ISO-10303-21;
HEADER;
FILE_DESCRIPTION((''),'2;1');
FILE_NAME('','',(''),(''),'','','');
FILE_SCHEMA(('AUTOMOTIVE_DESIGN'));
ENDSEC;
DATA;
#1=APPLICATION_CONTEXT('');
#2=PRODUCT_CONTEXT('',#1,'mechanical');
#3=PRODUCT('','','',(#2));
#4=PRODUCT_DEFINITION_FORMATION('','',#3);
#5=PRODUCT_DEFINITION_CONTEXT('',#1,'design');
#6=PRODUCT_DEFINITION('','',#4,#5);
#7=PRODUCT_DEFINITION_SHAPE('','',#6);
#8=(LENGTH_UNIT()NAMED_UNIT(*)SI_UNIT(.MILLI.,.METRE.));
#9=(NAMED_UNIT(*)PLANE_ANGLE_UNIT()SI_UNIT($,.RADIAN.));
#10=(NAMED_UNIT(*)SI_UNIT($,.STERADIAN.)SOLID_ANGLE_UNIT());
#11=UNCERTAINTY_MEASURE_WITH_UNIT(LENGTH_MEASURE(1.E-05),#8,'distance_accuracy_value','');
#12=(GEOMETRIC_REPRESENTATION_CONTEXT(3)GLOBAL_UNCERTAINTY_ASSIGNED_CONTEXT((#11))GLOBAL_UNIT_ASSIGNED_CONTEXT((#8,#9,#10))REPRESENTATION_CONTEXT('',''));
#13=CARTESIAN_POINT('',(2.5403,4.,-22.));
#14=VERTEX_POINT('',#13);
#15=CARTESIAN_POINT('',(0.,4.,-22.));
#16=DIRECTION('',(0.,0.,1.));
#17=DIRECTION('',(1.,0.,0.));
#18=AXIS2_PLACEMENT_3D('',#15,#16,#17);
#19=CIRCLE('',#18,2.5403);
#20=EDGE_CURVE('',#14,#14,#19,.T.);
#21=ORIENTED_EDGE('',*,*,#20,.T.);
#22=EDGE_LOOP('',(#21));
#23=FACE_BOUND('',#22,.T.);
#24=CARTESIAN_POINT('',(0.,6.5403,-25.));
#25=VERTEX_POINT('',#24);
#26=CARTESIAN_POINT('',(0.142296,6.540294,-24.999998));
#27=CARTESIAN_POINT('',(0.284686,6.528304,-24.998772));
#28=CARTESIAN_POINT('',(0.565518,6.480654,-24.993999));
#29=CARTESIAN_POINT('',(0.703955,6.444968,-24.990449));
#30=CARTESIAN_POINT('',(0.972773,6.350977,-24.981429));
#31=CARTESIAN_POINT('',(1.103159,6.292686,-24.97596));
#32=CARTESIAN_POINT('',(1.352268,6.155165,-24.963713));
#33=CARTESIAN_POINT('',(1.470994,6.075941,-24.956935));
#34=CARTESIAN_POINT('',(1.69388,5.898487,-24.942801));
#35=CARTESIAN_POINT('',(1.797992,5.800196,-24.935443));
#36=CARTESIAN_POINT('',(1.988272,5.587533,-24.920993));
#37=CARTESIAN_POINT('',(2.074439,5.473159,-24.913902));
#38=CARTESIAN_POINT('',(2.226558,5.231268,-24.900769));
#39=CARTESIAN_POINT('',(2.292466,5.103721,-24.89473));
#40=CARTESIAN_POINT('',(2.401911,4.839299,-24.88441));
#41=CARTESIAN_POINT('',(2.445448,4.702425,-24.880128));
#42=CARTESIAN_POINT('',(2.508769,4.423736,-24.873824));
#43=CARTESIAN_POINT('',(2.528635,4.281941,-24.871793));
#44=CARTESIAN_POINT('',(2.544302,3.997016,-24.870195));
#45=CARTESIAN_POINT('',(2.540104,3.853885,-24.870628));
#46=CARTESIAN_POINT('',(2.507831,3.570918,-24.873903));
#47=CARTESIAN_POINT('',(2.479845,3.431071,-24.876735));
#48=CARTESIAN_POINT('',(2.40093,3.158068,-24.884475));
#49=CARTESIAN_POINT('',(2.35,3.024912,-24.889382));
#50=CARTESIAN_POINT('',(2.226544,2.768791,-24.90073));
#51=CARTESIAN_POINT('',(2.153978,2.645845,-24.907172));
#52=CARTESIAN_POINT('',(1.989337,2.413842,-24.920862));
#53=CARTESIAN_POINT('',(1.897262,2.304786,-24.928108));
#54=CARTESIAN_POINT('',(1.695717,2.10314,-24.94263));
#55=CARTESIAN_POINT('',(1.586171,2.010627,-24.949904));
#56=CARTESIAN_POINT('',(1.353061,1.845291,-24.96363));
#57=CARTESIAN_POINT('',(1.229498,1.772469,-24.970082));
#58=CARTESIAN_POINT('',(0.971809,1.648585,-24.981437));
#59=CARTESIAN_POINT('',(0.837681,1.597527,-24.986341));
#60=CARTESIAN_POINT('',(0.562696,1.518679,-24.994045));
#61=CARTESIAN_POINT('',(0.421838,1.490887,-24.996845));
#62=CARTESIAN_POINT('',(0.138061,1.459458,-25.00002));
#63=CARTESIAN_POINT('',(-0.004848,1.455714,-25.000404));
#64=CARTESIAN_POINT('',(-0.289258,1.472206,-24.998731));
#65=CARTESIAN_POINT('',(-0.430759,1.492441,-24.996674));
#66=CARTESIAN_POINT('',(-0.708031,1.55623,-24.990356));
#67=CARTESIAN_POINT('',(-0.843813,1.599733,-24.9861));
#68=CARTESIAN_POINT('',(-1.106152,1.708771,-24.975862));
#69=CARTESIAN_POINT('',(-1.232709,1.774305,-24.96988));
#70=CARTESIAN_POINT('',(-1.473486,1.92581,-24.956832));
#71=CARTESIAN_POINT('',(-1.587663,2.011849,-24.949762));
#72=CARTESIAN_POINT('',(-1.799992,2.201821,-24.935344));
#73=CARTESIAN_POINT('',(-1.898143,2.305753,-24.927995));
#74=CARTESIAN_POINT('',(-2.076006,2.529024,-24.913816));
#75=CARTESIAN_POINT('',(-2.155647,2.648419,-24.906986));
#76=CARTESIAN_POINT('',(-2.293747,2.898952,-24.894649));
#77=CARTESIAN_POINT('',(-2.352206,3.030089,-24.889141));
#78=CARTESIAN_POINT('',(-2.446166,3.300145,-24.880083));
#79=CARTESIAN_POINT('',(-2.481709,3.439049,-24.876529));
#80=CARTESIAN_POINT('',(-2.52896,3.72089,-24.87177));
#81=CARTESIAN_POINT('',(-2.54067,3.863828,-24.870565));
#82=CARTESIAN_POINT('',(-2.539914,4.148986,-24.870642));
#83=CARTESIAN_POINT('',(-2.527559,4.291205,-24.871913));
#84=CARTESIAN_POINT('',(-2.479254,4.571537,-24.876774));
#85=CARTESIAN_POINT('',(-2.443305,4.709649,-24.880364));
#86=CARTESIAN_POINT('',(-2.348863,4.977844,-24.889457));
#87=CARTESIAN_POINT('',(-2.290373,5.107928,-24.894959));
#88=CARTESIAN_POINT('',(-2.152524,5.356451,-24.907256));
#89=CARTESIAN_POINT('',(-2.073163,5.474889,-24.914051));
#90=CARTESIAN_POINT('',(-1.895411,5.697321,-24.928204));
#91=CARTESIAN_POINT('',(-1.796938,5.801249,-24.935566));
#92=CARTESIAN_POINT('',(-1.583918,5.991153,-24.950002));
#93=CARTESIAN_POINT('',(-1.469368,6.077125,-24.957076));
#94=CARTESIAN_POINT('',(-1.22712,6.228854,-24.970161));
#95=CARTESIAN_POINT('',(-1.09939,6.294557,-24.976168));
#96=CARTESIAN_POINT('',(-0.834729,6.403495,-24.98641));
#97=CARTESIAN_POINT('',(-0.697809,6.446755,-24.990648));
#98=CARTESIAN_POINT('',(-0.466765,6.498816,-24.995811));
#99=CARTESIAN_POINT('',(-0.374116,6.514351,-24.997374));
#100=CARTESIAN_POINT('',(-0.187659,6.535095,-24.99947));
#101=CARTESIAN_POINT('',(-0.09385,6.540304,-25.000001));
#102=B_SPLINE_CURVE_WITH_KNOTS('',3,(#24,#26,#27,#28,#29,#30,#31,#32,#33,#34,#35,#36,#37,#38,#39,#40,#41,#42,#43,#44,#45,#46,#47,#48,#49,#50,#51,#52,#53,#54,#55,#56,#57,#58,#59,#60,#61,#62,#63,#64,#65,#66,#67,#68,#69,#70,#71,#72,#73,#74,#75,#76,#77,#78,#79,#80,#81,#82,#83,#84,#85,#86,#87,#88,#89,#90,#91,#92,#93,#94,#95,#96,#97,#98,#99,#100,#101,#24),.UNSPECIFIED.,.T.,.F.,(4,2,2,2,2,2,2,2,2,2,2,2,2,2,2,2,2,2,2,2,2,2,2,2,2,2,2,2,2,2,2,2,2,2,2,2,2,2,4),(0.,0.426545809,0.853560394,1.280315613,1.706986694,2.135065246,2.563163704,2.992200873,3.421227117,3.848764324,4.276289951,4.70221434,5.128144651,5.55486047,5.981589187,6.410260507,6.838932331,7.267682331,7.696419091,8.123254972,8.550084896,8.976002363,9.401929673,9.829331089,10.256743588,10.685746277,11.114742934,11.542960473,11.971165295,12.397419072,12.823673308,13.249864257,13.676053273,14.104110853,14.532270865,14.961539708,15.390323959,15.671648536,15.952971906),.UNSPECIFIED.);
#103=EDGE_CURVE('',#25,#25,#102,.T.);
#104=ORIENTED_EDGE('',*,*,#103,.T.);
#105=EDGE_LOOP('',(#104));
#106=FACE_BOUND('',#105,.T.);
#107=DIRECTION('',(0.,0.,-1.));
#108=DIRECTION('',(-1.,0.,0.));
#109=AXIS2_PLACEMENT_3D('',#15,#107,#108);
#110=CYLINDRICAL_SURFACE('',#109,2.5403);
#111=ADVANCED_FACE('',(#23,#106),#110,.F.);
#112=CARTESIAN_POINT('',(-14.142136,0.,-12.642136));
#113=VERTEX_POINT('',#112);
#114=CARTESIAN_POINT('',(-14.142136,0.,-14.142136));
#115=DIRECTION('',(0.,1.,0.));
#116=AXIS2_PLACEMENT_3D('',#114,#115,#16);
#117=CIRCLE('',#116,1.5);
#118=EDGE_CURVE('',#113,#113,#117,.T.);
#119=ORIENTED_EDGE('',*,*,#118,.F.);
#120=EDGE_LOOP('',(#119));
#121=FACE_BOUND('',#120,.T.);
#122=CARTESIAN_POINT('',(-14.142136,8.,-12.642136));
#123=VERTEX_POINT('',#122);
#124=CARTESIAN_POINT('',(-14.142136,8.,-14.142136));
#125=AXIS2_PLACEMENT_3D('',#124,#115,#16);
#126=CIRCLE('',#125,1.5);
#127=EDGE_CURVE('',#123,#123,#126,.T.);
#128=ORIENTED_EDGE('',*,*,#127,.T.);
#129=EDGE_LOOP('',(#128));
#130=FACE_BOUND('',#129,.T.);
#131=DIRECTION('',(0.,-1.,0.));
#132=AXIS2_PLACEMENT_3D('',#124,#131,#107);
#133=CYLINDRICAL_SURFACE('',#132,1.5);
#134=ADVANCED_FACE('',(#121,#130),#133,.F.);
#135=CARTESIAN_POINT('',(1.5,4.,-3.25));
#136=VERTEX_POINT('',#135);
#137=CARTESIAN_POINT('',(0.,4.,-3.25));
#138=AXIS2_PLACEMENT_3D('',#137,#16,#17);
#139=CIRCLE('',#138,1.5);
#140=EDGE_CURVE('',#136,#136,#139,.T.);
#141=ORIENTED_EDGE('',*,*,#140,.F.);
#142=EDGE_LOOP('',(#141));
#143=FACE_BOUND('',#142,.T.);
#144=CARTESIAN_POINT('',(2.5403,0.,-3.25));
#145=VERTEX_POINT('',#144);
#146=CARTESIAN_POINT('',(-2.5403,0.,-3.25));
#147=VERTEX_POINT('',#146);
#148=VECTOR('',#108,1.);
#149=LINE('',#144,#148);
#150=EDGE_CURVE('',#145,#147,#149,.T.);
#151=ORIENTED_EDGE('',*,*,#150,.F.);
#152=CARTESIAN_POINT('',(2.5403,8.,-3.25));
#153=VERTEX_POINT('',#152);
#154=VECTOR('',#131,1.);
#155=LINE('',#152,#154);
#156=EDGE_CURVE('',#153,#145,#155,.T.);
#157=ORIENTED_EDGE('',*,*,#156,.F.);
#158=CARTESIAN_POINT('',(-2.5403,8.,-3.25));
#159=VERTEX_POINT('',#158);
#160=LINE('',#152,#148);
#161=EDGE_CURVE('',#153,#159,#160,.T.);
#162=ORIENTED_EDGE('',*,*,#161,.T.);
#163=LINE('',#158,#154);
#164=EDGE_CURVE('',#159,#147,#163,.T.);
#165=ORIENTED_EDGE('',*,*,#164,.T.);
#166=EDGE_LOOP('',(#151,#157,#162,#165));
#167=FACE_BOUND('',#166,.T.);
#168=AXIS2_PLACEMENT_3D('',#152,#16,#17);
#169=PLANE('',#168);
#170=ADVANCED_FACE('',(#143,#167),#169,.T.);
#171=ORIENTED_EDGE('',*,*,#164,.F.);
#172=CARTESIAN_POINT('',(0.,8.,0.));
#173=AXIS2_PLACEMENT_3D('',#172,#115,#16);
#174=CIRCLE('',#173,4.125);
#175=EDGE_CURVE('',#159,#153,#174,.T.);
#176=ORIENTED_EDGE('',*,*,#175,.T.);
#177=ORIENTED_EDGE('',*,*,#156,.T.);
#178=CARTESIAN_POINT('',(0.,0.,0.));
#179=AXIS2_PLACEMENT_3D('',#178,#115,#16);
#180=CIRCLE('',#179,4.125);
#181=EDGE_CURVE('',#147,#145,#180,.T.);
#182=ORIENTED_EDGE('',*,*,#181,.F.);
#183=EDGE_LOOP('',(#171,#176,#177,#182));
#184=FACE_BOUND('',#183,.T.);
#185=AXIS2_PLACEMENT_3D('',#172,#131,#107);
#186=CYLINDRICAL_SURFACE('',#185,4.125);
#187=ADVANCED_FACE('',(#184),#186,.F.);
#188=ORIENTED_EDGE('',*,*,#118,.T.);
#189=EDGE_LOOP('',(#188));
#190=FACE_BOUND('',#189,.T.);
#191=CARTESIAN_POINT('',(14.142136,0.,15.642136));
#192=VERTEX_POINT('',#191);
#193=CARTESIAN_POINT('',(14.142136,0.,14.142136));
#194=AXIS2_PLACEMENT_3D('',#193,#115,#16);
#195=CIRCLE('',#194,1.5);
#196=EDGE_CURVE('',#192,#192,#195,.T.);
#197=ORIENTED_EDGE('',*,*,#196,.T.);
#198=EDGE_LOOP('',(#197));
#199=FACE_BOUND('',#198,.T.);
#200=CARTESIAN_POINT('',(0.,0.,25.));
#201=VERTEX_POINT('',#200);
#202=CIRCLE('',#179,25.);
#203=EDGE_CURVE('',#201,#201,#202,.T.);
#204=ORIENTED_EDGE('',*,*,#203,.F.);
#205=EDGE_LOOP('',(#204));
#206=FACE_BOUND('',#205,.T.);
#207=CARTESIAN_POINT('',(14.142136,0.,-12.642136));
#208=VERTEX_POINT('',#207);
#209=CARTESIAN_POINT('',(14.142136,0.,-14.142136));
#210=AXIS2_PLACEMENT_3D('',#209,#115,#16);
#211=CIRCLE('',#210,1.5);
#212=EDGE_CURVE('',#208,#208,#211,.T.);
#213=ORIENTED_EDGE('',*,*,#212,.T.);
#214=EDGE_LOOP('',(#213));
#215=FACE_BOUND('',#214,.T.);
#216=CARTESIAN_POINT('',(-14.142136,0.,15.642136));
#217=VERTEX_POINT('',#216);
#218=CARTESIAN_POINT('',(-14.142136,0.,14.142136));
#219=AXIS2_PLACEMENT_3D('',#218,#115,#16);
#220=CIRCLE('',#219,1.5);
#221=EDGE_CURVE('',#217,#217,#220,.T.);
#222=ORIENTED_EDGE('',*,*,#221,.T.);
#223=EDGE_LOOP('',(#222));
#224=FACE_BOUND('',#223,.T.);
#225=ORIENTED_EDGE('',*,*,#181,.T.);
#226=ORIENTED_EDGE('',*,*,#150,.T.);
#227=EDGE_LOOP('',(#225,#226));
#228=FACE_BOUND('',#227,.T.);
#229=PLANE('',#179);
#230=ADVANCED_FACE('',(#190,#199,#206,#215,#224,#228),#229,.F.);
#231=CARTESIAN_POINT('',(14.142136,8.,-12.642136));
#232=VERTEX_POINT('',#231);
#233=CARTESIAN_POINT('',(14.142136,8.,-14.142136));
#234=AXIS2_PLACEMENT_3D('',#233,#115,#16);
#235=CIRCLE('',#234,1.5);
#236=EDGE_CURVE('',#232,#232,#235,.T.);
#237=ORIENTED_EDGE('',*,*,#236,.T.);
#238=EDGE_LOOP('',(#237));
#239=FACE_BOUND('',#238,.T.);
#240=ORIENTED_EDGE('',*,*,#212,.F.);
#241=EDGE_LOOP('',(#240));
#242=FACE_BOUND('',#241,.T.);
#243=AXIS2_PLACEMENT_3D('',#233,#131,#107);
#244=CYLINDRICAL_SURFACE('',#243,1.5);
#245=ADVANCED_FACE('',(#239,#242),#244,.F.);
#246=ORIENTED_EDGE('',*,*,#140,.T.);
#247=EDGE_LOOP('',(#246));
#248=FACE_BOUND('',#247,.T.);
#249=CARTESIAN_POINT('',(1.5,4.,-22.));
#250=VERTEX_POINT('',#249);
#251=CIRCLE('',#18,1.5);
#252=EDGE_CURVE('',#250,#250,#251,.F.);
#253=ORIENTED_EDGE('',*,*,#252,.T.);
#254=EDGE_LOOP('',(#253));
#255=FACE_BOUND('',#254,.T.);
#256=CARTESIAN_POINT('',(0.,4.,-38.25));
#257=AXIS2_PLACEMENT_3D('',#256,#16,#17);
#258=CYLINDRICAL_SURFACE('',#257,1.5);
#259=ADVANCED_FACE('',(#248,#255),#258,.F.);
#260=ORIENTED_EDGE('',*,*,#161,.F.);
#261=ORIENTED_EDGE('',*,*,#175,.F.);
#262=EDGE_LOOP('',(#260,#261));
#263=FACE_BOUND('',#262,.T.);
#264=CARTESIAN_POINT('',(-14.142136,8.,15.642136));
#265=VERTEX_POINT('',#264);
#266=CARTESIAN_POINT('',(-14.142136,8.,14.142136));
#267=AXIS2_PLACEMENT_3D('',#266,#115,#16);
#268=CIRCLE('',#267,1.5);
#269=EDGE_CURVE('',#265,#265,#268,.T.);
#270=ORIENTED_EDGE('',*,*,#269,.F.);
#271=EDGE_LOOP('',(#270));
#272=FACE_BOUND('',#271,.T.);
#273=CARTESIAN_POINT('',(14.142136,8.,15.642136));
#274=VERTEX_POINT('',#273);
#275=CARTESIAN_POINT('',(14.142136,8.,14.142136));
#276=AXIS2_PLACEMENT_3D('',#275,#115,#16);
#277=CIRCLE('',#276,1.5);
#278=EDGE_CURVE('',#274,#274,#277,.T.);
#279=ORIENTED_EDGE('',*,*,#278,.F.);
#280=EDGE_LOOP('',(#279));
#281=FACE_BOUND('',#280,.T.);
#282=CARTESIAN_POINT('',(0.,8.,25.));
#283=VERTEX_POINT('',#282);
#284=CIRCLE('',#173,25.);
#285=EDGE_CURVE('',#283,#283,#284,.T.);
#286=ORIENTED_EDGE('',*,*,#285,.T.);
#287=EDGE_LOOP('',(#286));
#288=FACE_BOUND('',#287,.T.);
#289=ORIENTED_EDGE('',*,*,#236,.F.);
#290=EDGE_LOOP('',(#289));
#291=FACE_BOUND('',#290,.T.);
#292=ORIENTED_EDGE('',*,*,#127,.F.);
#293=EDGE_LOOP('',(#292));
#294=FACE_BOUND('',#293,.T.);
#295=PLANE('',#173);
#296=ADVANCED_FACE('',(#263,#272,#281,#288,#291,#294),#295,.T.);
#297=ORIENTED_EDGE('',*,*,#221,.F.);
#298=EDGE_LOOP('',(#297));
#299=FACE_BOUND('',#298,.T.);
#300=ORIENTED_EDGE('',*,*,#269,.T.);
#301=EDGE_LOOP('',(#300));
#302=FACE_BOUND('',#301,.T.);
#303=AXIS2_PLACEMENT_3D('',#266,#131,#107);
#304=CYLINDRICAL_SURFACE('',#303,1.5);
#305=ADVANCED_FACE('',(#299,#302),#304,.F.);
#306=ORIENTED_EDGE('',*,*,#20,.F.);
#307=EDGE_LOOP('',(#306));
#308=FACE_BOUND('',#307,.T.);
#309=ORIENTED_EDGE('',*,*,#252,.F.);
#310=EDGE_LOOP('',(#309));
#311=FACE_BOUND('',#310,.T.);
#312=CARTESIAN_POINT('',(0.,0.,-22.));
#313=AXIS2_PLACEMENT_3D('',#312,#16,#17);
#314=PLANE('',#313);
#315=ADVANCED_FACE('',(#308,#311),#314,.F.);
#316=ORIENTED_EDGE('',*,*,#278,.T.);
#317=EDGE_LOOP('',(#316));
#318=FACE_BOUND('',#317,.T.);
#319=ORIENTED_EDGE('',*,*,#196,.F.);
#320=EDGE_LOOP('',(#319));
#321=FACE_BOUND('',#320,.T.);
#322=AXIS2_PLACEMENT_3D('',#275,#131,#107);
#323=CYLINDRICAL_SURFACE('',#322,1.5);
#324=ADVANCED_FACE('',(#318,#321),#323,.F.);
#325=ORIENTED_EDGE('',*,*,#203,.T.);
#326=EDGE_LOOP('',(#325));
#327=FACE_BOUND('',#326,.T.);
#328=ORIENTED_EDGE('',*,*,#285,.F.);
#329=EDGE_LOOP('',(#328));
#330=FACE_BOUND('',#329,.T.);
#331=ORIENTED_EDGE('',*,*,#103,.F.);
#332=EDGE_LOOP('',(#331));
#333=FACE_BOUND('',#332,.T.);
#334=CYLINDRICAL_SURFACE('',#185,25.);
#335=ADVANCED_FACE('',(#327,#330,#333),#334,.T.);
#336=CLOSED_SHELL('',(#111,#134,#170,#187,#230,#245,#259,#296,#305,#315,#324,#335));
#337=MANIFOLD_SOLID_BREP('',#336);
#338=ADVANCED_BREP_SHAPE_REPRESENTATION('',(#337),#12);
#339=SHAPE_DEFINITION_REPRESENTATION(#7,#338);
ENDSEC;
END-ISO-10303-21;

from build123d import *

# Parameters (mm, degrees)
SKETCH1_R               = 25
SKETCH1_R_2             = 1.5
BOSS_EXTRUDE1_DEPTH     = 8
SKETCH2_R               = 1.5
CUT_EXTRUDE1_DEPTH      = 35
SKETCH3_R               = 2.540300179
CUT_EXTRUDE3_DEPTH      = 2
CUT_EXTRUDE3_DEPTH_BACK = 35


with BuildPart() as part:
    # Sketch1 → Boss-Extrude1 (new body)
    with BuildSketch(Plane(origin=(0, 0, 0), x_dir=(1, 0, 0), z_dir=(0, 1, 0))):
        Circle(SKETCH1_R)
        with Locations((-14.142135624, -14.142135624)):
            Circle(SKETCH1_R_2, mode=Mode.SUBTRACT)
        with Locations((-14.142135624, 14.142135624)):
            Circle(SKETCH1_R_2, mode=Mode.SUBTRACT)
        with Locations((14.142135624, 14.142135624)):
            Circle(SKETCH1_R_2, mode=Mode.SUBTRACT)
        with Locations((14.142135624, -14.142135624)):
            Circle(SKETCH1_R_2, mode=Mode.SUBTRACT)
        with BuildLine():
            Line((2.540300179, 3.25), (-2.540300179, 3.25))
            ThreePointArc((-2.540300179, 3.25), (0, -4.125), (2.540300179, 3.25))
        make_face(mode=Mode.SUBTRACT)
    extrude(amount=BOSS_EXTRUDE1_DEPTH)

    # Sketch2 → Cut-Extrude1 (cut)
    with BuildSketch(Plane.XY.offset(-3.25)):
        with Locations((0, 4)):
            Circle(SKETCH2_R)
    extrude(amount=-CUT_EXTRUDE1_DEPTH, mode=Mode.SUBTRACT)

    # Sketch3 → Cut-Extrude3 (cut, two sides)
    with BuildSketch(Plane.XY.offset(-24)) as cut_extrude3_sk:
        with Locations((0, 4)):
            Circle(SKETCH3_R)
    extrude(amount=CUT_EXTRUDE3_DEPTH, mode=Mode.SUBTRACT)
    extrude(cut_extrude3_sk.sketch, amount=-CUT_EXTRUDE3_DEPTH_BACK, mode=Mode.SUBTRACT)


solid = part.part
